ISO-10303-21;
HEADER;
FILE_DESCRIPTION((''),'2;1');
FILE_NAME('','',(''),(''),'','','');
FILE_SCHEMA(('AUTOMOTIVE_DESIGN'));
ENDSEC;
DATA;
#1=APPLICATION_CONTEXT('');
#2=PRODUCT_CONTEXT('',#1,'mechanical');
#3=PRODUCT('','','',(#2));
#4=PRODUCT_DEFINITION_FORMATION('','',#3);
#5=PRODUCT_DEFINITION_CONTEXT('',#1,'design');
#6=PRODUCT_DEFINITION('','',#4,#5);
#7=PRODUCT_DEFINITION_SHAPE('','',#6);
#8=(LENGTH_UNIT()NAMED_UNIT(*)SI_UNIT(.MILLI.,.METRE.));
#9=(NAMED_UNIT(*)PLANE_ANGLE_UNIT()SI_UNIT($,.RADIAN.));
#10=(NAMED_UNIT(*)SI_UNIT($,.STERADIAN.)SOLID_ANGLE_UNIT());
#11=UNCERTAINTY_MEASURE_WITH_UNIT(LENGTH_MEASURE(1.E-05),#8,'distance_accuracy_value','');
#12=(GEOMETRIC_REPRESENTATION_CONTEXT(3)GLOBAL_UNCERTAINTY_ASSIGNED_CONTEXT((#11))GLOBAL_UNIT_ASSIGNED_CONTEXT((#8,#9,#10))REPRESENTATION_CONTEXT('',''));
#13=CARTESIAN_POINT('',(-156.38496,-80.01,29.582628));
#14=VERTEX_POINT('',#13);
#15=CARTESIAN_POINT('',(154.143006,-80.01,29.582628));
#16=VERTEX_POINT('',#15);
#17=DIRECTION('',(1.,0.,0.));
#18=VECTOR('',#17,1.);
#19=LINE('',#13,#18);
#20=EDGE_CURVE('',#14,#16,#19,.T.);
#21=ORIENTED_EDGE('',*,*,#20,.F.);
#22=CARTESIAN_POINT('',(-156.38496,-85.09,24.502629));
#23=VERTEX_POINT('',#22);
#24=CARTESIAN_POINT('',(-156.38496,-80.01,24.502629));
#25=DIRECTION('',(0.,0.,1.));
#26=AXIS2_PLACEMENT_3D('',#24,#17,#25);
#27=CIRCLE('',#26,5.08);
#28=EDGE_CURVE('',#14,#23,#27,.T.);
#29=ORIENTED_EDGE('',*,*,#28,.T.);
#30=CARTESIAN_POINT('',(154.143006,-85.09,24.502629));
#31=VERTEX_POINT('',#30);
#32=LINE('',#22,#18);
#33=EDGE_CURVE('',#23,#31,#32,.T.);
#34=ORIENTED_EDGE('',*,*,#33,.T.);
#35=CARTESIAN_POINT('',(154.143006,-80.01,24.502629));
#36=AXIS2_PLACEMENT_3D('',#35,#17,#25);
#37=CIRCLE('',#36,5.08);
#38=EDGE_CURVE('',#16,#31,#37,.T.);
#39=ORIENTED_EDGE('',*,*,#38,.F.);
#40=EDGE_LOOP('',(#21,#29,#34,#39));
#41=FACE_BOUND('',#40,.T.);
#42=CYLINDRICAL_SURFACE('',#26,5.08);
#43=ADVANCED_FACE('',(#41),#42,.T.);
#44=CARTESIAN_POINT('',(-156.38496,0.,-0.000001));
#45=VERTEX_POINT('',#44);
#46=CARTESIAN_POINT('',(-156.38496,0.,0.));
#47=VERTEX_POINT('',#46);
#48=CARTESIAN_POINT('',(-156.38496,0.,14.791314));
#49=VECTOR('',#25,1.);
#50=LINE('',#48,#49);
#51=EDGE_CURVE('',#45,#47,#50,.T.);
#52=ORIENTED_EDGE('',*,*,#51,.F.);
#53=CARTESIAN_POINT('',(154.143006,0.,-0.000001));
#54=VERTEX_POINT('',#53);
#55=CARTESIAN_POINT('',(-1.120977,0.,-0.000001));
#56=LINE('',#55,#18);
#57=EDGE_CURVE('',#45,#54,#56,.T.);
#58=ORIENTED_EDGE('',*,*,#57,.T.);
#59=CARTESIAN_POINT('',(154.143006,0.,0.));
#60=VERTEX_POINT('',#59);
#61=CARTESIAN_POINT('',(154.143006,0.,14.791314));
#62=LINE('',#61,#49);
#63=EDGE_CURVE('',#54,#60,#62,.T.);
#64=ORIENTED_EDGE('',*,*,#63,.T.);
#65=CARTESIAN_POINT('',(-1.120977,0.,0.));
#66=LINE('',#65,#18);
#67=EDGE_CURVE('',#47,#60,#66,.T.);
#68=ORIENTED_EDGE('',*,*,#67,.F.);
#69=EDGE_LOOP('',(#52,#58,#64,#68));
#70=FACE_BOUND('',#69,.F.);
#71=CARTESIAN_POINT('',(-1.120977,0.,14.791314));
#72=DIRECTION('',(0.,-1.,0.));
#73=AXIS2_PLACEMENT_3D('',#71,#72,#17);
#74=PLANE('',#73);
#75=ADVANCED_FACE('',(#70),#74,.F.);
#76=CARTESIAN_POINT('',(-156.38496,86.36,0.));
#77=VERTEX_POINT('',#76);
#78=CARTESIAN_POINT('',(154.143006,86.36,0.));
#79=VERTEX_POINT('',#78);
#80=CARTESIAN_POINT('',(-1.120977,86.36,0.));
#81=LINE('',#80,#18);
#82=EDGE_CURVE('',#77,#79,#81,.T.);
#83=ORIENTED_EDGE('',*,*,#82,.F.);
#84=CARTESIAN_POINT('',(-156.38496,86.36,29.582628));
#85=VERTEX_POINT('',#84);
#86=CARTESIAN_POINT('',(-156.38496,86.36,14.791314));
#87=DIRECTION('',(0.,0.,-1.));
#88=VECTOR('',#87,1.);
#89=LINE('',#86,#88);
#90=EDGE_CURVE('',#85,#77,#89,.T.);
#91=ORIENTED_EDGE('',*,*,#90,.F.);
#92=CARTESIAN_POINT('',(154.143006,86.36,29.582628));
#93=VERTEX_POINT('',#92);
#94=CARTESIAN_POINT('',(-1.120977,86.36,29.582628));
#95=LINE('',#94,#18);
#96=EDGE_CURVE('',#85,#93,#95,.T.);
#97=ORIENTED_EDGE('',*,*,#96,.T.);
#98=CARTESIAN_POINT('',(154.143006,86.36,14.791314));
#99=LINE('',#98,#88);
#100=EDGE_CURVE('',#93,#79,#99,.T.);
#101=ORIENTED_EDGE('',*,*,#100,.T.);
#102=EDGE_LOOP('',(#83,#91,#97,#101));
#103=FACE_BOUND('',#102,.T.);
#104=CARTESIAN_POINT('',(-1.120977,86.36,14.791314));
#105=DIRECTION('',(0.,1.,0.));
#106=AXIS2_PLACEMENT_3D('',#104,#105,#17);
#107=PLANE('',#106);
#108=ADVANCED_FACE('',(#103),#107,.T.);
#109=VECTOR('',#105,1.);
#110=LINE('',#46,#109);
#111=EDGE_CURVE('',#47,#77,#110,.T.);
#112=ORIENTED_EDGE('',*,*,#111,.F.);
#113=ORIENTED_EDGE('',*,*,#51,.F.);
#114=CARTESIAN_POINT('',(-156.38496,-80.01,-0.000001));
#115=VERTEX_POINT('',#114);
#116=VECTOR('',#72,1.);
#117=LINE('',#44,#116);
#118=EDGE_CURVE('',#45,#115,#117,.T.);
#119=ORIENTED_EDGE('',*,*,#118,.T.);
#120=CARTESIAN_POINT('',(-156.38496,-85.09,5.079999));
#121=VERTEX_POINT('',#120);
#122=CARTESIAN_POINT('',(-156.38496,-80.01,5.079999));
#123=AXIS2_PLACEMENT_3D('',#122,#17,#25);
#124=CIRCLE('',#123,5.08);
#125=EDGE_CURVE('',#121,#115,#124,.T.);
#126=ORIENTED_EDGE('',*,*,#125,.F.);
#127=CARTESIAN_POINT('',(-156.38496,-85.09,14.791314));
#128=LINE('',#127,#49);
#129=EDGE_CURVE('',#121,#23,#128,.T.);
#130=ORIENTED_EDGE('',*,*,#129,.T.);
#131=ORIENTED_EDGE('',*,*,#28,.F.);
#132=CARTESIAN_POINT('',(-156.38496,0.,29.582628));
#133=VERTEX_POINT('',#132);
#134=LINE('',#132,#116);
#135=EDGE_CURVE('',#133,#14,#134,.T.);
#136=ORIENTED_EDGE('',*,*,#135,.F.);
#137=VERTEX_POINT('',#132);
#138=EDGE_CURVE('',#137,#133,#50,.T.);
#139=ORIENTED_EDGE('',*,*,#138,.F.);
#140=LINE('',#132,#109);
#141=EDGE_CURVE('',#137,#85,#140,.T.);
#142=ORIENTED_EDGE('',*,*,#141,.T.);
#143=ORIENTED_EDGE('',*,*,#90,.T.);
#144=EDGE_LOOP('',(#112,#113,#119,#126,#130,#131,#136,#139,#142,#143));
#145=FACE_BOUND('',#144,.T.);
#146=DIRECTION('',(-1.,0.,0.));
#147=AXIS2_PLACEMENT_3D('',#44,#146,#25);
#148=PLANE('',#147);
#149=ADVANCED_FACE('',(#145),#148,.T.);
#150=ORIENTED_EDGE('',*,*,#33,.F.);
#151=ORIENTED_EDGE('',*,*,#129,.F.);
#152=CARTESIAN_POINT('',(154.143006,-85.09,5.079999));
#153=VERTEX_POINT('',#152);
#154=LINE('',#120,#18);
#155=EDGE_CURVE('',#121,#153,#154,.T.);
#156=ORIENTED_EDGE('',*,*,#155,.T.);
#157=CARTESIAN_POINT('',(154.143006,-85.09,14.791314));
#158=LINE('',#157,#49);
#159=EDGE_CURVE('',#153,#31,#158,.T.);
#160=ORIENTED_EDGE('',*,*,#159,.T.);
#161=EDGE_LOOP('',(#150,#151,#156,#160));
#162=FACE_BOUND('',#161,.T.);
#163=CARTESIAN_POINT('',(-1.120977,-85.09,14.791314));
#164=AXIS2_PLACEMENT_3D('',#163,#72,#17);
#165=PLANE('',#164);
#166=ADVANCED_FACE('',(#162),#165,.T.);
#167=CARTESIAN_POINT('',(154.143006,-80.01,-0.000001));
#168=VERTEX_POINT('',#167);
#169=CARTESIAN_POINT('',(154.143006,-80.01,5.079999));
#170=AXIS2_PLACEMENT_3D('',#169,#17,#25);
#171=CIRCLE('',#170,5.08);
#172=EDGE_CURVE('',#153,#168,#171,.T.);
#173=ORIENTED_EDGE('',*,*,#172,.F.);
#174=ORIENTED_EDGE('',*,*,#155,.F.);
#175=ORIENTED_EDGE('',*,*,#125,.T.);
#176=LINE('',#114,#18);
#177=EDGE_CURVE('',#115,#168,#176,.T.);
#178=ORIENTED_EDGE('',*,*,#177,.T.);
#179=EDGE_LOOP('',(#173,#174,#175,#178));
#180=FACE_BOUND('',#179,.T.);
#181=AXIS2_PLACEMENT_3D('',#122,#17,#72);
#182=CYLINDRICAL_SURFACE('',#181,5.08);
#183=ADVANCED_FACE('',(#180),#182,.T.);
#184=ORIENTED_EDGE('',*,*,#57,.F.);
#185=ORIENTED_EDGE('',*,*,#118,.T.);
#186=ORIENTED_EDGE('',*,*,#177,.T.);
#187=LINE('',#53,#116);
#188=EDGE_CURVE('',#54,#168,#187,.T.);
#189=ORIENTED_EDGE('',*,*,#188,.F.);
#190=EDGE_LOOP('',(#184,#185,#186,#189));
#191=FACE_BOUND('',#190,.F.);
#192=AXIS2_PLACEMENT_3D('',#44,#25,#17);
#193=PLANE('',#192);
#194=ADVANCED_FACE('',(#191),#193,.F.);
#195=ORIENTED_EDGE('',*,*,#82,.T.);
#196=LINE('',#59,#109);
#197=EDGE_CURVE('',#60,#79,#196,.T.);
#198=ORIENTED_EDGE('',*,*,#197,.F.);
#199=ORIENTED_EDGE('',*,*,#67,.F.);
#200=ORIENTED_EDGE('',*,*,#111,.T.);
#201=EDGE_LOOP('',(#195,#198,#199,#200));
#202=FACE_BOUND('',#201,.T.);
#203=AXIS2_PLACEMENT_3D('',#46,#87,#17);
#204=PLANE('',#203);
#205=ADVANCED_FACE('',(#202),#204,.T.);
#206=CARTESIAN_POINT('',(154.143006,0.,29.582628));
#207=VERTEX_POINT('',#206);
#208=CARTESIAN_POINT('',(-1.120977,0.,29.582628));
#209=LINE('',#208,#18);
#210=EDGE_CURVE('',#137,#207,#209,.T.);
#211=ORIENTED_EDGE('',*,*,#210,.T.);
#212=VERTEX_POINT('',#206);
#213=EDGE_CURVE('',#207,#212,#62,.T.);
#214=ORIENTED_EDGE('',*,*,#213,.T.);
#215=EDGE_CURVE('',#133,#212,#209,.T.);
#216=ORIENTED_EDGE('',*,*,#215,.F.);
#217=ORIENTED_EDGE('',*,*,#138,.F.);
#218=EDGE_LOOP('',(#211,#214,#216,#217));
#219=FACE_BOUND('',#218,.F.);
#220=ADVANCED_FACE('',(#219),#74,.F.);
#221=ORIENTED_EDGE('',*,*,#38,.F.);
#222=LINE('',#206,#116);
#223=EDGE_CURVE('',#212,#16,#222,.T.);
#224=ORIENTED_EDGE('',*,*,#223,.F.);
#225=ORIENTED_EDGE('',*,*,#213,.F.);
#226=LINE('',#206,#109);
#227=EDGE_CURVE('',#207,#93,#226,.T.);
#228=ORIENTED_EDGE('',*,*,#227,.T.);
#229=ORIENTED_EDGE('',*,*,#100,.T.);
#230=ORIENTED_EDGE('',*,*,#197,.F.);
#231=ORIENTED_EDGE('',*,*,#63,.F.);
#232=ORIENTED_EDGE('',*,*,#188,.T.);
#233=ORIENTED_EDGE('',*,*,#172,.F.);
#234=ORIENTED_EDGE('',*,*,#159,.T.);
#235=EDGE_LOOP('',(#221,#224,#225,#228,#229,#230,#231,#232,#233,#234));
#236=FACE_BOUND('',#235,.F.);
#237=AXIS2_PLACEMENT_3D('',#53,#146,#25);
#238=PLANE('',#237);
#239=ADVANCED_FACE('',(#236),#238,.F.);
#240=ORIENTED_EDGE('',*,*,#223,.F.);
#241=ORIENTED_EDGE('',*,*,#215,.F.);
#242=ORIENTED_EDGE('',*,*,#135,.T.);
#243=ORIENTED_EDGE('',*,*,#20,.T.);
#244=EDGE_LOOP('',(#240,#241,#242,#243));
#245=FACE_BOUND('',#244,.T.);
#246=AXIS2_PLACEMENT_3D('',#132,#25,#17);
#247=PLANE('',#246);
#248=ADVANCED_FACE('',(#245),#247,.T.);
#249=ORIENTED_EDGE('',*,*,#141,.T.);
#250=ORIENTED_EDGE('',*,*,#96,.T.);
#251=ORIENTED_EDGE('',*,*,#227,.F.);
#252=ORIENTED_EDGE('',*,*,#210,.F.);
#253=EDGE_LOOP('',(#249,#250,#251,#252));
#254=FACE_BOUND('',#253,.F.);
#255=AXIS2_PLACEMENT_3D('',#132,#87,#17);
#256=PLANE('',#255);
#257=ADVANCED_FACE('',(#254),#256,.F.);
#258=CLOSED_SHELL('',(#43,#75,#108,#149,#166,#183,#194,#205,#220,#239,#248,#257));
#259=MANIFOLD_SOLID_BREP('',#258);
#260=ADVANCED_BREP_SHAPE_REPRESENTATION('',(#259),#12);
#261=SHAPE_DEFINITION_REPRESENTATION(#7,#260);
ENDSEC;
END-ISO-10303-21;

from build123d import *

# Parameters (mm, degrees)
F0_W      = 310.527966
F0_H      = 29.582629
F1_DEPTH  = 85.09
F1_FACE_W = 310.527966
F1_FACE_H = 29.582628
F2_DEPTH  = 86.36
F3_R      = 5.08
F4_R      = 5.08


with BuildPart() as f1:
    # F0 (on Front) → F1 (new body)
    with BuildSketch(Plane.XZ):
        with Locations((-1.120977, 14.791314)):
            Rectangle(F0_W, F0_H)
    extrude(amount=F1_DEPTH)

    # F1_face (on face) → F2 (join)
    with BuildSketch(Plane(origin=(-1.120977, 0, 14.791314), x_dir=(1, 0, 0), z_dir=(0, 1, 0))):
        Rectangle(F1_FACE_W, F1_FACE_H)
    extrude(amount=F2_DEPTH)

    # F3
    f3_edges = [f1.edges().sort_by_distance(p)[0] for p in [
        (-1.120977, -85.09, 29.582629),
    ]]
    fillet(f3_edges, radius=F3_R)

    # F4
    f4_edges = [f1.edges().sort_by_distance(p)[0] for p in [
        (-1.120977, -85.09, 0),
    ]]
    fillet(f4_edges, radius=F4_R)


solid = f1.part
